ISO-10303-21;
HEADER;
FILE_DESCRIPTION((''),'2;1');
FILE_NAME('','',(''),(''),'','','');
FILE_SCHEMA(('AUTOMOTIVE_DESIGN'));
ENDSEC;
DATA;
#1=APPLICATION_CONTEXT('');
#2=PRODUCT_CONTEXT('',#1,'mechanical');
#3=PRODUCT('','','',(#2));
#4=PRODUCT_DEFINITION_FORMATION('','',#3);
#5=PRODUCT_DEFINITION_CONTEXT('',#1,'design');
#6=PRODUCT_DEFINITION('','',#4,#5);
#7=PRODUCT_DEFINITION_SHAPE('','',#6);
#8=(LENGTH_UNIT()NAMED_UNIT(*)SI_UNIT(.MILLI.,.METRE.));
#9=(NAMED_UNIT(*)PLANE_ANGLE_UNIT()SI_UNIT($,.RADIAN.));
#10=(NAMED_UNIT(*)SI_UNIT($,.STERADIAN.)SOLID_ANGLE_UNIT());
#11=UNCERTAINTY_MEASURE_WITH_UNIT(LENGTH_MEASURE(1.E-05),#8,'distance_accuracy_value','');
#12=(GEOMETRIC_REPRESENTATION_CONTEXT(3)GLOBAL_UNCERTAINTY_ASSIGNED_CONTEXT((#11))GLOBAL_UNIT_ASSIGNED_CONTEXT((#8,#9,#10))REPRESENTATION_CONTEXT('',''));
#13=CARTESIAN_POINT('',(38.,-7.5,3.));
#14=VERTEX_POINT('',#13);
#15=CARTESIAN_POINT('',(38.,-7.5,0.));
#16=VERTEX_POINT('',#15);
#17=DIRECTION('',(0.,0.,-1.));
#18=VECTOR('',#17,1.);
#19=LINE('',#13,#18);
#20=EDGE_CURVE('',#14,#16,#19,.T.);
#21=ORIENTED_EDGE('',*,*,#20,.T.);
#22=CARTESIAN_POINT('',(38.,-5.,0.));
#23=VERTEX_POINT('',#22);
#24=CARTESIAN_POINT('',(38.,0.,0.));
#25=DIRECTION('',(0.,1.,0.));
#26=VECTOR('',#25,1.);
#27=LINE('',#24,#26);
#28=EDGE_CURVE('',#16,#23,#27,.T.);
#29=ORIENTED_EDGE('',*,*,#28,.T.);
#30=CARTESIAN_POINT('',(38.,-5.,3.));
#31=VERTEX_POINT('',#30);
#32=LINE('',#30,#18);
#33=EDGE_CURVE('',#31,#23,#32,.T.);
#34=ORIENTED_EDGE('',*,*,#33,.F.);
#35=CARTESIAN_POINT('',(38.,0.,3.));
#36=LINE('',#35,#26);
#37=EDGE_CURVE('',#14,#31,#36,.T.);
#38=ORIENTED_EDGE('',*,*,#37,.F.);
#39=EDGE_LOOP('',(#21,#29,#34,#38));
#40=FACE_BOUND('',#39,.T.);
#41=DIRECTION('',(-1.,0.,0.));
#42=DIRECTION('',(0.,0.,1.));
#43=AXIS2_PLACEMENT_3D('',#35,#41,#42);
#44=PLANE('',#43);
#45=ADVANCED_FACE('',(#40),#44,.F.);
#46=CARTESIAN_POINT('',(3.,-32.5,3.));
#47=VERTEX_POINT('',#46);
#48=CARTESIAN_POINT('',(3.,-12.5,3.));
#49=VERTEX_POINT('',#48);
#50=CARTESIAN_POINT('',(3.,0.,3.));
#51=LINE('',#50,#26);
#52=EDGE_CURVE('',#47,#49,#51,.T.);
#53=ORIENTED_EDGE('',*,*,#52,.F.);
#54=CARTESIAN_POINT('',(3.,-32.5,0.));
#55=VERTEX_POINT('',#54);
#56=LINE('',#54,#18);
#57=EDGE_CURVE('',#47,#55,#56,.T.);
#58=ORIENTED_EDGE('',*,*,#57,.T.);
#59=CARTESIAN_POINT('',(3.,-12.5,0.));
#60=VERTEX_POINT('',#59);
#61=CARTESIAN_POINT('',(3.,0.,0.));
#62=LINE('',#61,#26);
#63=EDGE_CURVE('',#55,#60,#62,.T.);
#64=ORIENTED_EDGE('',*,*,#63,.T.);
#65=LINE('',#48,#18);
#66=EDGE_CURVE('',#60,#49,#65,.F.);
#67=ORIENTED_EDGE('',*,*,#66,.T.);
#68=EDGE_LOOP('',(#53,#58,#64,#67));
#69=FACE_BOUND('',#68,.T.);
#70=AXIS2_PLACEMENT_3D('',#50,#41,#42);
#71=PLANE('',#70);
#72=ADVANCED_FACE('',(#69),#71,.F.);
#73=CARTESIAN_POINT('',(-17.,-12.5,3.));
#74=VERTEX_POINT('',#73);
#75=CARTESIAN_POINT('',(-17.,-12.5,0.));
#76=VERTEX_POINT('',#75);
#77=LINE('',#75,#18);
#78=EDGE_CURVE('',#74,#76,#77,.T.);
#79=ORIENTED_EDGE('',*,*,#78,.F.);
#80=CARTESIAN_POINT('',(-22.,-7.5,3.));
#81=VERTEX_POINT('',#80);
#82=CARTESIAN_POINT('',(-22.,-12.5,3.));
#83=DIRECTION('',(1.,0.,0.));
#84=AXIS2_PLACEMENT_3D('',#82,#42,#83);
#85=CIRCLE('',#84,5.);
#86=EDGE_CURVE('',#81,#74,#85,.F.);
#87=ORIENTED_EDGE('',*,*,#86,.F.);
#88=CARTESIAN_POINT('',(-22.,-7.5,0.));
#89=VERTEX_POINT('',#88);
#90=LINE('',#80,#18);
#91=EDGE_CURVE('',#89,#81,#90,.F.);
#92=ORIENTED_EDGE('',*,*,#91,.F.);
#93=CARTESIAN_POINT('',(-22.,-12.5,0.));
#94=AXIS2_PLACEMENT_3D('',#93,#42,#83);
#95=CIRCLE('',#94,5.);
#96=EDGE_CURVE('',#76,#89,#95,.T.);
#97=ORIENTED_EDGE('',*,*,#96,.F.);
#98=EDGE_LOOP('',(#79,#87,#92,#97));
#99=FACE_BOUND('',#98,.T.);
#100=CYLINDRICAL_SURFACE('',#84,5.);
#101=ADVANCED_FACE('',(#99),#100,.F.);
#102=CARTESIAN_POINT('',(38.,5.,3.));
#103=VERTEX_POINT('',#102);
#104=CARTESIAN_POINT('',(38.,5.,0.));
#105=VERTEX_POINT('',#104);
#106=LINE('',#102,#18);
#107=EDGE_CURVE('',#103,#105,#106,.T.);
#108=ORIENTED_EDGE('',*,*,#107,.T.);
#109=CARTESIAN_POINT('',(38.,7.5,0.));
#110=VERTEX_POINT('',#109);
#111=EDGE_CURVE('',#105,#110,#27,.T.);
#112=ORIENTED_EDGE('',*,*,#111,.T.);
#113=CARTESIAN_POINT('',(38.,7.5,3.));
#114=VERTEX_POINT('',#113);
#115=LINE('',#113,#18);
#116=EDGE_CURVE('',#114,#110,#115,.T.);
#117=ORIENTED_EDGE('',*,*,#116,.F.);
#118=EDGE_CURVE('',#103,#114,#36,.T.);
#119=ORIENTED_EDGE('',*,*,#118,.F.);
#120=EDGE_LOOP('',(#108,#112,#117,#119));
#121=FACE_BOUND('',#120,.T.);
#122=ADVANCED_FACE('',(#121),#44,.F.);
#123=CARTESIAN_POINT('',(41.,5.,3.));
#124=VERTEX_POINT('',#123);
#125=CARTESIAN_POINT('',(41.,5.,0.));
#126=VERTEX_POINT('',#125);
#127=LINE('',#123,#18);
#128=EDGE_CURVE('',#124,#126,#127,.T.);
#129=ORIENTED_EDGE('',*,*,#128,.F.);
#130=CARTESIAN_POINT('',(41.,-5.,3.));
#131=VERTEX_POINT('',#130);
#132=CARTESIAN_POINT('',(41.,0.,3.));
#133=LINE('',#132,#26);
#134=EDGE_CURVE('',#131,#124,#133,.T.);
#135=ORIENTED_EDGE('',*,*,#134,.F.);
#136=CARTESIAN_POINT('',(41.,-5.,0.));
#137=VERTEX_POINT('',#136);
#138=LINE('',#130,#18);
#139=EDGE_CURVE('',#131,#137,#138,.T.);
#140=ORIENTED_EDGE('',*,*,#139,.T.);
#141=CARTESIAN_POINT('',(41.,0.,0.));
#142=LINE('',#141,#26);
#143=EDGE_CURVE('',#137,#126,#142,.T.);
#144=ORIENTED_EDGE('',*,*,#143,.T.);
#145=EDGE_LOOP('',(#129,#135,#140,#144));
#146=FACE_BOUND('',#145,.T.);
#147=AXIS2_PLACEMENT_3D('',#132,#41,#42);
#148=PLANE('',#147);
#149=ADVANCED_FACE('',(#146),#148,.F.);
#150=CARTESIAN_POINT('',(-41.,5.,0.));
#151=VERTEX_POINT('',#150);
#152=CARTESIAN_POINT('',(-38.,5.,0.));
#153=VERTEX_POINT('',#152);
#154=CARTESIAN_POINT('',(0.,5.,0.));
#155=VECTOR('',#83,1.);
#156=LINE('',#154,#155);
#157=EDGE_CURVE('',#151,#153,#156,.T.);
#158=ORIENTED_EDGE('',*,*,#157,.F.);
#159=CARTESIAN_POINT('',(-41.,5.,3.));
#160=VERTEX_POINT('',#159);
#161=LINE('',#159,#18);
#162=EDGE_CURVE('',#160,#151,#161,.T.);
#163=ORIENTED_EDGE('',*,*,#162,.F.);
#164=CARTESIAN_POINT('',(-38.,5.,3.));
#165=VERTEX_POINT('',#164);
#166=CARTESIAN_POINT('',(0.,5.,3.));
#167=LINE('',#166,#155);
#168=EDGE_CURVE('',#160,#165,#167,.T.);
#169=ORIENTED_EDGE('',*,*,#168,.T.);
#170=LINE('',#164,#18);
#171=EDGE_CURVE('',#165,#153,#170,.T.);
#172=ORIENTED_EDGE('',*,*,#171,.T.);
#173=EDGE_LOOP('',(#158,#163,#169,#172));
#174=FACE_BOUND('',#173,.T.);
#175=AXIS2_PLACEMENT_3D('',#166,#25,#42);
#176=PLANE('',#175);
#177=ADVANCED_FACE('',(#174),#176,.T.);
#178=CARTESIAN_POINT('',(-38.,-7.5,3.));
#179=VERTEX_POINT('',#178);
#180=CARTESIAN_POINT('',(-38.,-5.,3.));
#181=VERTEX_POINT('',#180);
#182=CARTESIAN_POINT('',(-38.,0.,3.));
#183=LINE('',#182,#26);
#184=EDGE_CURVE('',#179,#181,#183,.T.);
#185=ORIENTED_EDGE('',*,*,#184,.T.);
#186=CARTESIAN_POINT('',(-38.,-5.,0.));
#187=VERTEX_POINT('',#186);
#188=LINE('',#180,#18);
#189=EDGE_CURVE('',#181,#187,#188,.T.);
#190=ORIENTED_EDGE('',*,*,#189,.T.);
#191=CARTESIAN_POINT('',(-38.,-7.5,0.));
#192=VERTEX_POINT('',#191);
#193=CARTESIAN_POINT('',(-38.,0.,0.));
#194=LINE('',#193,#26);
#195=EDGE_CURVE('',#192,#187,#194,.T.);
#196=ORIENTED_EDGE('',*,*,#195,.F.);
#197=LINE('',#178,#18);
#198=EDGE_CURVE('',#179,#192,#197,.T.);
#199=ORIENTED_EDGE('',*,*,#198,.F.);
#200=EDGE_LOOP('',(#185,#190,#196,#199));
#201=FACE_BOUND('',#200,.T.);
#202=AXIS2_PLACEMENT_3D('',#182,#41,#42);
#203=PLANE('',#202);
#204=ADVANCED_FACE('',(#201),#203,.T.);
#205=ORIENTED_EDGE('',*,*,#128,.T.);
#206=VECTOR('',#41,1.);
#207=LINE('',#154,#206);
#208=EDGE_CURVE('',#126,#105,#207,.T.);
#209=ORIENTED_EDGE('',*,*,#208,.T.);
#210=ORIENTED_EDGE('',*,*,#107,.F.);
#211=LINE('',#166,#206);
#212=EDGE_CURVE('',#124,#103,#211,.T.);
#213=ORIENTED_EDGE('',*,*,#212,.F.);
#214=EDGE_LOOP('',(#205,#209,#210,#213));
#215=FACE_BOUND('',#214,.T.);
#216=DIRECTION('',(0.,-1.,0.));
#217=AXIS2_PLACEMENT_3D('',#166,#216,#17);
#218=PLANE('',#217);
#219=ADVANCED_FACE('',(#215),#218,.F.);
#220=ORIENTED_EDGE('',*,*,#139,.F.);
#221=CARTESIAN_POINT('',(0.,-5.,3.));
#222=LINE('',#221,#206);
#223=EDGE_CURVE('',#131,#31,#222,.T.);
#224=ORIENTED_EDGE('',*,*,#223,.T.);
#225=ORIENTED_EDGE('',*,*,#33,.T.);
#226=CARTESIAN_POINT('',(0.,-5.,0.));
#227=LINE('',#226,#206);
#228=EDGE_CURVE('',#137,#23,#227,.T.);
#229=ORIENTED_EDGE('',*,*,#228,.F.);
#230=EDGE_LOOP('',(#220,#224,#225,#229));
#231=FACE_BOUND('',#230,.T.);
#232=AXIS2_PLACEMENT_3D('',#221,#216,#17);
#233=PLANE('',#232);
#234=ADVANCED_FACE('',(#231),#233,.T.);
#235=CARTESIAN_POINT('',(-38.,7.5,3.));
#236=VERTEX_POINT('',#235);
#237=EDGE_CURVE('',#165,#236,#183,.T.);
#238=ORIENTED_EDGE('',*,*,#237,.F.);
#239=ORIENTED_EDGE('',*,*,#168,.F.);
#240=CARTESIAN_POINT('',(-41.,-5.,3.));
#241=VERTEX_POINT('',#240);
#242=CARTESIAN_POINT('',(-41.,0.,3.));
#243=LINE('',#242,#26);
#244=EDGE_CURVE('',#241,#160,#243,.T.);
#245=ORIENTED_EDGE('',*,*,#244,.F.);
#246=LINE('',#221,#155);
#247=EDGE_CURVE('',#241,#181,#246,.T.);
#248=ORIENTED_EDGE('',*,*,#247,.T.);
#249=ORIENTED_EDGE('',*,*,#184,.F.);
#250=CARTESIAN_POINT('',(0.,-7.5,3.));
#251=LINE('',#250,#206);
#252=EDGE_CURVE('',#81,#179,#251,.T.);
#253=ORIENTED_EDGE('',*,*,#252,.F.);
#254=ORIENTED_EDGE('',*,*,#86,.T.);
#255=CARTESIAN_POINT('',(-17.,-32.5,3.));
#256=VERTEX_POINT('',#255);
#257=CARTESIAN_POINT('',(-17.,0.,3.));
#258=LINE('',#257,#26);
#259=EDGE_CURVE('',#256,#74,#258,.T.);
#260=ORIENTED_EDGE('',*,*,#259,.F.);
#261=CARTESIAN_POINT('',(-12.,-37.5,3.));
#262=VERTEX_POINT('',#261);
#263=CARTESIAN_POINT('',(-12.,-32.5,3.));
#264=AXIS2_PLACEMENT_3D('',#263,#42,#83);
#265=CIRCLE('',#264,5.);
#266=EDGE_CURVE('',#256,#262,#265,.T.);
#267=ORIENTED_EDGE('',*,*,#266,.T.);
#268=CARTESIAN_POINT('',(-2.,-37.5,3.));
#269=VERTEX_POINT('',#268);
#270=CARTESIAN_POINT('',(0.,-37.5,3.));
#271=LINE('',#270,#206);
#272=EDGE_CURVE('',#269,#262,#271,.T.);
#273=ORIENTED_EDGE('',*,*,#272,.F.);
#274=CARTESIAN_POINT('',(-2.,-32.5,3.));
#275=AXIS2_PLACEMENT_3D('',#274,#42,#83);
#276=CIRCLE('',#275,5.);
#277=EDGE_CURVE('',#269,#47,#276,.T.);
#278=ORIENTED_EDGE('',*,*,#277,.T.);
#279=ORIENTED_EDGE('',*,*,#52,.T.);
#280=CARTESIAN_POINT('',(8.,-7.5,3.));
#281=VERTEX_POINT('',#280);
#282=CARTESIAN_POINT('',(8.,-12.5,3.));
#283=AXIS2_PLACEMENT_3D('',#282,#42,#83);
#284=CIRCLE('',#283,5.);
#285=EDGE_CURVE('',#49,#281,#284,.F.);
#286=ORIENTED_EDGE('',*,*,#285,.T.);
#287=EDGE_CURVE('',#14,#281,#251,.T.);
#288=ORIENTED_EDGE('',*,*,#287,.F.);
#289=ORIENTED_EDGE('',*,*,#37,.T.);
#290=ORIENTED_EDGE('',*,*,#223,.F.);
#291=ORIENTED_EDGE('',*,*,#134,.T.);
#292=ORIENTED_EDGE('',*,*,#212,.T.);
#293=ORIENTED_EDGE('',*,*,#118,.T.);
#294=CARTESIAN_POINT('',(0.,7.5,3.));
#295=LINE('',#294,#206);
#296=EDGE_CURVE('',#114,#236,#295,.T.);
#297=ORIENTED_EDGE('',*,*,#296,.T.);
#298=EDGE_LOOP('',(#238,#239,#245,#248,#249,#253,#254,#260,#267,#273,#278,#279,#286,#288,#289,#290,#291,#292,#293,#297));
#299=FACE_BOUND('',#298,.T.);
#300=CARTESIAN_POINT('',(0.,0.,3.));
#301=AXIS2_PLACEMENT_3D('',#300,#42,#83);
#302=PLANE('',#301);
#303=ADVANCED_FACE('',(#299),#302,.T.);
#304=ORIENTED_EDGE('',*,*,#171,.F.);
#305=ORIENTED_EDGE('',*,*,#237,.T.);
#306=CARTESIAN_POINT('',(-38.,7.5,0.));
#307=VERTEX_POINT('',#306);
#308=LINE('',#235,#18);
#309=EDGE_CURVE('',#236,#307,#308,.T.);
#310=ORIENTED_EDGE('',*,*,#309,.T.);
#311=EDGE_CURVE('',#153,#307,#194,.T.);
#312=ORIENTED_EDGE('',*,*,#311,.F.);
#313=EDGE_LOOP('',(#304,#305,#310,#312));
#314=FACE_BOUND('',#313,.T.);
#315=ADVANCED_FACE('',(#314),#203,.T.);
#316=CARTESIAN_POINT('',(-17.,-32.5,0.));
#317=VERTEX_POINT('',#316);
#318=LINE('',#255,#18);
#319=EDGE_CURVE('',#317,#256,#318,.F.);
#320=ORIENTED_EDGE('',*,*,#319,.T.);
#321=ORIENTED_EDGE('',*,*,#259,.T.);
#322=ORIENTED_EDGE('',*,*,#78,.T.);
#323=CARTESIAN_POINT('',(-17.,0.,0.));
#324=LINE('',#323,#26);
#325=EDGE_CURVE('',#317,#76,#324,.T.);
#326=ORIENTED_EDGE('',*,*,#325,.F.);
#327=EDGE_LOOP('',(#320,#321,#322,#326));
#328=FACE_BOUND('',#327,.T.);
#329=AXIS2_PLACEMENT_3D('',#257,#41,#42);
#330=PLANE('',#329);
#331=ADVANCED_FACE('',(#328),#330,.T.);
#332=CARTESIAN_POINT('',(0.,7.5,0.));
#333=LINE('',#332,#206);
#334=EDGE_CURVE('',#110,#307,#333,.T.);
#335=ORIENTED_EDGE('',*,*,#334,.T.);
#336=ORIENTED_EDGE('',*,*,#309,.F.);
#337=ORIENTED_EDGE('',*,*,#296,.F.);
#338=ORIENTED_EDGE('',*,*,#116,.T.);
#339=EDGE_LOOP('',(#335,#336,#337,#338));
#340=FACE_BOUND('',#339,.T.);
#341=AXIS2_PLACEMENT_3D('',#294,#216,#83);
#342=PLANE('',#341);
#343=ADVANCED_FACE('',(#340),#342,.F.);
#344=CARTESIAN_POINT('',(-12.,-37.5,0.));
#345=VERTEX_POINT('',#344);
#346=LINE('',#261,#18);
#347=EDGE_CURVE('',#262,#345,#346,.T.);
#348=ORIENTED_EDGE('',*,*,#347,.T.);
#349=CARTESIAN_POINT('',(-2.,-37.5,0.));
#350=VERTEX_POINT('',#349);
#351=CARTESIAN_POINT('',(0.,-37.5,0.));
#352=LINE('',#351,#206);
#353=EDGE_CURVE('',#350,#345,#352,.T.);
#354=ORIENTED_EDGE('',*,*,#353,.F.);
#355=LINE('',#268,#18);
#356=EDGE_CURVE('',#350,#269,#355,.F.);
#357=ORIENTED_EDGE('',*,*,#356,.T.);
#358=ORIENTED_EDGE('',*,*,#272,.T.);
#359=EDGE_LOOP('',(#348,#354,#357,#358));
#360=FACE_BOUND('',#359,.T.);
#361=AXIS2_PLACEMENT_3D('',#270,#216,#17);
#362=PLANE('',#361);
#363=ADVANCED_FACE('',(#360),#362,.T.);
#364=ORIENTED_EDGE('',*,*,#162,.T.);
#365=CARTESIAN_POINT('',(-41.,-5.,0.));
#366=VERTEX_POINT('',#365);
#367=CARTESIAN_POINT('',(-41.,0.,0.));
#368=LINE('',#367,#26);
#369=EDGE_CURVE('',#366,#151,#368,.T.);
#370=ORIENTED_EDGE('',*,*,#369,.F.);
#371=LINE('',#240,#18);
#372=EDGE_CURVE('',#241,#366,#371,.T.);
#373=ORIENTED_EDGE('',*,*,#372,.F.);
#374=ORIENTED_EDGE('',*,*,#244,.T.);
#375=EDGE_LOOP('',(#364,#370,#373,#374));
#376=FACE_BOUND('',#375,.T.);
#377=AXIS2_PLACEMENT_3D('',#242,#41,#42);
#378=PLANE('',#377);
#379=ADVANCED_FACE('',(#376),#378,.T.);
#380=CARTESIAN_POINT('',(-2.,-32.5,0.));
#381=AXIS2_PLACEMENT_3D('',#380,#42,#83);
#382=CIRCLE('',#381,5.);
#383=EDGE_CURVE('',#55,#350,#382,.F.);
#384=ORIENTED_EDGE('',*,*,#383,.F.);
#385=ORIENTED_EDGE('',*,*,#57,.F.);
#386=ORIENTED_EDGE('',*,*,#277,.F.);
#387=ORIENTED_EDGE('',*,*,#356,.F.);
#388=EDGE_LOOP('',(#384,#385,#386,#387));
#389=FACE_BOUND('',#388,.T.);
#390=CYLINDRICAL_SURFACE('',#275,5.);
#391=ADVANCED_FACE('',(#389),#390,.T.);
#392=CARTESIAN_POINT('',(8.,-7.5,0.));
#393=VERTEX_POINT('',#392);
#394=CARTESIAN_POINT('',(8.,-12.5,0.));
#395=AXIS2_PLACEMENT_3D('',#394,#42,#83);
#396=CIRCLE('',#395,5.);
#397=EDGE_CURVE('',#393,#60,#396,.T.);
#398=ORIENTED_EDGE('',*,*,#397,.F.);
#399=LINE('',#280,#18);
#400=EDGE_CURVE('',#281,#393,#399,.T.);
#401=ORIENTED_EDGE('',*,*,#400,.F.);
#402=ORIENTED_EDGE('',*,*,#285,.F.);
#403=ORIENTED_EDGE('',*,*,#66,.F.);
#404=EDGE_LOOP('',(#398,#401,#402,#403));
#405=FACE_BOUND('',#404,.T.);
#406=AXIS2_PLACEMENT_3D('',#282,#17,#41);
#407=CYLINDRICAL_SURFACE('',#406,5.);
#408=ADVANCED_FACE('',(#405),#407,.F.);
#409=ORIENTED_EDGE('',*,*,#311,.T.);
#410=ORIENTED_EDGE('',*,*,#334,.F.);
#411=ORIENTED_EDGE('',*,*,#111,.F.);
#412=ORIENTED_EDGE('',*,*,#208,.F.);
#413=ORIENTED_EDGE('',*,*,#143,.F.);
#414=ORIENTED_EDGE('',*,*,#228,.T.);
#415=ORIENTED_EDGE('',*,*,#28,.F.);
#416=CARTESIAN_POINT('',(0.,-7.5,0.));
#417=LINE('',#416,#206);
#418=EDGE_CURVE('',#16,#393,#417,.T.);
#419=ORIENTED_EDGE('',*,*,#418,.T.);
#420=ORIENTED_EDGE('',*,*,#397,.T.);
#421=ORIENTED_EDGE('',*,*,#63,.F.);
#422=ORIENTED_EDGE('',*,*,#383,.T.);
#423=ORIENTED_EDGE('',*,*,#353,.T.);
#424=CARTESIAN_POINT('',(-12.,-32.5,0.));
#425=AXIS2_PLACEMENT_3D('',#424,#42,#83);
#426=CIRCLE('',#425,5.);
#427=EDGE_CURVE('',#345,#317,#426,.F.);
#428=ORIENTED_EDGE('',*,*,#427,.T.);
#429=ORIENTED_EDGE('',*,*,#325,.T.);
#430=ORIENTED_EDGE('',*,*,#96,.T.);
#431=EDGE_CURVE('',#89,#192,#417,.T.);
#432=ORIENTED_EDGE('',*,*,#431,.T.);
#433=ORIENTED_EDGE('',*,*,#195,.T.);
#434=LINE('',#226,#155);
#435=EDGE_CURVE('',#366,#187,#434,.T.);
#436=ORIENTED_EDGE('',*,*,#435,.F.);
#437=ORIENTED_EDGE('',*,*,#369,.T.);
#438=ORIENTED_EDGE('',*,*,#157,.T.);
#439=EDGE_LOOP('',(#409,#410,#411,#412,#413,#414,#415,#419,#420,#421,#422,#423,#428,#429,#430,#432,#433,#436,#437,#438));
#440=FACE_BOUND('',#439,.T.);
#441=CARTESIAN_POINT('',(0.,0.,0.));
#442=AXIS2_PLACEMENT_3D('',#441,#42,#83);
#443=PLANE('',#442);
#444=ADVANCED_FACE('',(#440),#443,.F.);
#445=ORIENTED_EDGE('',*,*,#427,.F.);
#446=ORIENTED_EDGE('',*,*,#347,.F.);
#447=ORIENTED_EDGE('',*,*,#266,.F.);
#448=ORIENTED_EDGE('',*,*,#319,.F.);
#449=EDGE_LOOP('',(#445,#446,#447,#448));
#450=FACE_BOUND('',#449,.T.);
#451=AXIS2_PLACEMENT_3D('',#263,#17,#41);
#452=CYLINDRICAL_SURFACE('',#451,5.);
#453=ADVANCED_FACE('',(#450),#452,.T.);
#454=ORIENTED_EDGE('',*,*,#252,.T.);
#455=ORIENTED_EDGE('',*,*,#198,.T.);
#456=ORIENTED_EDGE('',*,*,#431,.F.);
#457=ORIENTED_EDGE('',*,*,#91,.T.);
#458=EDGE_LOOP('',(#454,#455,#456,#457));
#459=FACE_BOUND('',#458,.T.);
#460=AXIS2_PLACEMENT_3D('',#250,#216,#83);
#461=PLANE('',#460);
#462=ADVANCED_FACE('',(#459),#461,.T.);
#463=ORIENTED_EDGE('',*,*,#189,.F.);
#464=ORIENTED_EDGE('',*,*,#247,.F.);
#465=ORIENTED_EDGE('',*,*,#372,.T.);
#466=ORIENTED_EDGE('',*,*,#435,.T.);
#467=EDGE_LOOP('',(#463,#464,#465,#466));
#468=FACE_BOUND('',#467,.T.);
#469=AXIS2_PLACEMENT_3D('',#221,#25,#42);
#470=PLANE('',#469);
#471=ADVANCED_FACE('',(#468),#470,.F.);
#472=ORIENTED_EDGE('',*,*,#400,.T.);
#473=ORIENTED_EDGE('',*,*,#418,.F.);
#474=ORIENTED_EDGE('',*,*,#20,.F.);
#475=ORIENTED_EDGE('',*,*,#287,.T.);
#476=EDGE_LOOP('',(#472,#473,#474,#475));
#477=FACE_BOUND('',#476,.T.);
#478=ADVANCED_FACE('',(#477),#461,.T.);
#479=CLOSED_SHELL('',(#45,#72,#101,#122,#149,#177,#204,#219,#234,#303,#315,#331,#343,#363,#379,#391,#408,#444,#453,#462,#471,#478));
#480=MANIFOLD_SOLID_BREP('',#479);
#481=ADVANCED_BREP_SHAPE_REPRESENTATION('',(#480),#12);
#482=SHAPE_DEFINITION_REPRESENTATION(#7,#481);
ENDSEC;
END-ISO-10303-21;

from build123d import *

# Parameters (mm, degrees)
ESBO_O1_W                = 76
ESBO_O1_H                = 15
ESBO_O1_W_2              = 20
ESBO_O1_H_2              = 30
ESBO_O1_W_3              = 3
ESBO_O1_H_3              = 10
RESSALTO_EXTRUS_O1_DEPTH = 3
FILETE1_R                = 5


with BuildPart() as part:
    # Esboço1 → Ressalto-extrusão1 (new body)
    with BuildSketch(Plane.XY):
        Rectangle(ESBO_O1_W, ESBO_O1_H)
        with Locations((-7, -22.5)):
            Rectangle(ESBO_O1_W_2, ESBO_O1_H_2)
        with Locations((39.5, 0)):
            Rectangle(ESBO_O1_W_3, ESBO_O1_H_3)
        with Locations((-39.5, 0)):
            Rectangle(ESBO_O1_W_3, ESBO_O1_H_3)
    extrude(amount=RESSALTO_EXTRUS_O1_DEPTH)

    # Filete1
    filete1_edges = [part.edges().sort_by_distance(p)[0] for p in [
        (3, -7.5, 1.5),
        (3, -37.5, 1.5),
        (-17, -37.5, 1.5),
        (-17, -7.5, 1.5),
    ]]
    fillet(filete1_edges, radius=FILETE1_R)


solid = part.part
